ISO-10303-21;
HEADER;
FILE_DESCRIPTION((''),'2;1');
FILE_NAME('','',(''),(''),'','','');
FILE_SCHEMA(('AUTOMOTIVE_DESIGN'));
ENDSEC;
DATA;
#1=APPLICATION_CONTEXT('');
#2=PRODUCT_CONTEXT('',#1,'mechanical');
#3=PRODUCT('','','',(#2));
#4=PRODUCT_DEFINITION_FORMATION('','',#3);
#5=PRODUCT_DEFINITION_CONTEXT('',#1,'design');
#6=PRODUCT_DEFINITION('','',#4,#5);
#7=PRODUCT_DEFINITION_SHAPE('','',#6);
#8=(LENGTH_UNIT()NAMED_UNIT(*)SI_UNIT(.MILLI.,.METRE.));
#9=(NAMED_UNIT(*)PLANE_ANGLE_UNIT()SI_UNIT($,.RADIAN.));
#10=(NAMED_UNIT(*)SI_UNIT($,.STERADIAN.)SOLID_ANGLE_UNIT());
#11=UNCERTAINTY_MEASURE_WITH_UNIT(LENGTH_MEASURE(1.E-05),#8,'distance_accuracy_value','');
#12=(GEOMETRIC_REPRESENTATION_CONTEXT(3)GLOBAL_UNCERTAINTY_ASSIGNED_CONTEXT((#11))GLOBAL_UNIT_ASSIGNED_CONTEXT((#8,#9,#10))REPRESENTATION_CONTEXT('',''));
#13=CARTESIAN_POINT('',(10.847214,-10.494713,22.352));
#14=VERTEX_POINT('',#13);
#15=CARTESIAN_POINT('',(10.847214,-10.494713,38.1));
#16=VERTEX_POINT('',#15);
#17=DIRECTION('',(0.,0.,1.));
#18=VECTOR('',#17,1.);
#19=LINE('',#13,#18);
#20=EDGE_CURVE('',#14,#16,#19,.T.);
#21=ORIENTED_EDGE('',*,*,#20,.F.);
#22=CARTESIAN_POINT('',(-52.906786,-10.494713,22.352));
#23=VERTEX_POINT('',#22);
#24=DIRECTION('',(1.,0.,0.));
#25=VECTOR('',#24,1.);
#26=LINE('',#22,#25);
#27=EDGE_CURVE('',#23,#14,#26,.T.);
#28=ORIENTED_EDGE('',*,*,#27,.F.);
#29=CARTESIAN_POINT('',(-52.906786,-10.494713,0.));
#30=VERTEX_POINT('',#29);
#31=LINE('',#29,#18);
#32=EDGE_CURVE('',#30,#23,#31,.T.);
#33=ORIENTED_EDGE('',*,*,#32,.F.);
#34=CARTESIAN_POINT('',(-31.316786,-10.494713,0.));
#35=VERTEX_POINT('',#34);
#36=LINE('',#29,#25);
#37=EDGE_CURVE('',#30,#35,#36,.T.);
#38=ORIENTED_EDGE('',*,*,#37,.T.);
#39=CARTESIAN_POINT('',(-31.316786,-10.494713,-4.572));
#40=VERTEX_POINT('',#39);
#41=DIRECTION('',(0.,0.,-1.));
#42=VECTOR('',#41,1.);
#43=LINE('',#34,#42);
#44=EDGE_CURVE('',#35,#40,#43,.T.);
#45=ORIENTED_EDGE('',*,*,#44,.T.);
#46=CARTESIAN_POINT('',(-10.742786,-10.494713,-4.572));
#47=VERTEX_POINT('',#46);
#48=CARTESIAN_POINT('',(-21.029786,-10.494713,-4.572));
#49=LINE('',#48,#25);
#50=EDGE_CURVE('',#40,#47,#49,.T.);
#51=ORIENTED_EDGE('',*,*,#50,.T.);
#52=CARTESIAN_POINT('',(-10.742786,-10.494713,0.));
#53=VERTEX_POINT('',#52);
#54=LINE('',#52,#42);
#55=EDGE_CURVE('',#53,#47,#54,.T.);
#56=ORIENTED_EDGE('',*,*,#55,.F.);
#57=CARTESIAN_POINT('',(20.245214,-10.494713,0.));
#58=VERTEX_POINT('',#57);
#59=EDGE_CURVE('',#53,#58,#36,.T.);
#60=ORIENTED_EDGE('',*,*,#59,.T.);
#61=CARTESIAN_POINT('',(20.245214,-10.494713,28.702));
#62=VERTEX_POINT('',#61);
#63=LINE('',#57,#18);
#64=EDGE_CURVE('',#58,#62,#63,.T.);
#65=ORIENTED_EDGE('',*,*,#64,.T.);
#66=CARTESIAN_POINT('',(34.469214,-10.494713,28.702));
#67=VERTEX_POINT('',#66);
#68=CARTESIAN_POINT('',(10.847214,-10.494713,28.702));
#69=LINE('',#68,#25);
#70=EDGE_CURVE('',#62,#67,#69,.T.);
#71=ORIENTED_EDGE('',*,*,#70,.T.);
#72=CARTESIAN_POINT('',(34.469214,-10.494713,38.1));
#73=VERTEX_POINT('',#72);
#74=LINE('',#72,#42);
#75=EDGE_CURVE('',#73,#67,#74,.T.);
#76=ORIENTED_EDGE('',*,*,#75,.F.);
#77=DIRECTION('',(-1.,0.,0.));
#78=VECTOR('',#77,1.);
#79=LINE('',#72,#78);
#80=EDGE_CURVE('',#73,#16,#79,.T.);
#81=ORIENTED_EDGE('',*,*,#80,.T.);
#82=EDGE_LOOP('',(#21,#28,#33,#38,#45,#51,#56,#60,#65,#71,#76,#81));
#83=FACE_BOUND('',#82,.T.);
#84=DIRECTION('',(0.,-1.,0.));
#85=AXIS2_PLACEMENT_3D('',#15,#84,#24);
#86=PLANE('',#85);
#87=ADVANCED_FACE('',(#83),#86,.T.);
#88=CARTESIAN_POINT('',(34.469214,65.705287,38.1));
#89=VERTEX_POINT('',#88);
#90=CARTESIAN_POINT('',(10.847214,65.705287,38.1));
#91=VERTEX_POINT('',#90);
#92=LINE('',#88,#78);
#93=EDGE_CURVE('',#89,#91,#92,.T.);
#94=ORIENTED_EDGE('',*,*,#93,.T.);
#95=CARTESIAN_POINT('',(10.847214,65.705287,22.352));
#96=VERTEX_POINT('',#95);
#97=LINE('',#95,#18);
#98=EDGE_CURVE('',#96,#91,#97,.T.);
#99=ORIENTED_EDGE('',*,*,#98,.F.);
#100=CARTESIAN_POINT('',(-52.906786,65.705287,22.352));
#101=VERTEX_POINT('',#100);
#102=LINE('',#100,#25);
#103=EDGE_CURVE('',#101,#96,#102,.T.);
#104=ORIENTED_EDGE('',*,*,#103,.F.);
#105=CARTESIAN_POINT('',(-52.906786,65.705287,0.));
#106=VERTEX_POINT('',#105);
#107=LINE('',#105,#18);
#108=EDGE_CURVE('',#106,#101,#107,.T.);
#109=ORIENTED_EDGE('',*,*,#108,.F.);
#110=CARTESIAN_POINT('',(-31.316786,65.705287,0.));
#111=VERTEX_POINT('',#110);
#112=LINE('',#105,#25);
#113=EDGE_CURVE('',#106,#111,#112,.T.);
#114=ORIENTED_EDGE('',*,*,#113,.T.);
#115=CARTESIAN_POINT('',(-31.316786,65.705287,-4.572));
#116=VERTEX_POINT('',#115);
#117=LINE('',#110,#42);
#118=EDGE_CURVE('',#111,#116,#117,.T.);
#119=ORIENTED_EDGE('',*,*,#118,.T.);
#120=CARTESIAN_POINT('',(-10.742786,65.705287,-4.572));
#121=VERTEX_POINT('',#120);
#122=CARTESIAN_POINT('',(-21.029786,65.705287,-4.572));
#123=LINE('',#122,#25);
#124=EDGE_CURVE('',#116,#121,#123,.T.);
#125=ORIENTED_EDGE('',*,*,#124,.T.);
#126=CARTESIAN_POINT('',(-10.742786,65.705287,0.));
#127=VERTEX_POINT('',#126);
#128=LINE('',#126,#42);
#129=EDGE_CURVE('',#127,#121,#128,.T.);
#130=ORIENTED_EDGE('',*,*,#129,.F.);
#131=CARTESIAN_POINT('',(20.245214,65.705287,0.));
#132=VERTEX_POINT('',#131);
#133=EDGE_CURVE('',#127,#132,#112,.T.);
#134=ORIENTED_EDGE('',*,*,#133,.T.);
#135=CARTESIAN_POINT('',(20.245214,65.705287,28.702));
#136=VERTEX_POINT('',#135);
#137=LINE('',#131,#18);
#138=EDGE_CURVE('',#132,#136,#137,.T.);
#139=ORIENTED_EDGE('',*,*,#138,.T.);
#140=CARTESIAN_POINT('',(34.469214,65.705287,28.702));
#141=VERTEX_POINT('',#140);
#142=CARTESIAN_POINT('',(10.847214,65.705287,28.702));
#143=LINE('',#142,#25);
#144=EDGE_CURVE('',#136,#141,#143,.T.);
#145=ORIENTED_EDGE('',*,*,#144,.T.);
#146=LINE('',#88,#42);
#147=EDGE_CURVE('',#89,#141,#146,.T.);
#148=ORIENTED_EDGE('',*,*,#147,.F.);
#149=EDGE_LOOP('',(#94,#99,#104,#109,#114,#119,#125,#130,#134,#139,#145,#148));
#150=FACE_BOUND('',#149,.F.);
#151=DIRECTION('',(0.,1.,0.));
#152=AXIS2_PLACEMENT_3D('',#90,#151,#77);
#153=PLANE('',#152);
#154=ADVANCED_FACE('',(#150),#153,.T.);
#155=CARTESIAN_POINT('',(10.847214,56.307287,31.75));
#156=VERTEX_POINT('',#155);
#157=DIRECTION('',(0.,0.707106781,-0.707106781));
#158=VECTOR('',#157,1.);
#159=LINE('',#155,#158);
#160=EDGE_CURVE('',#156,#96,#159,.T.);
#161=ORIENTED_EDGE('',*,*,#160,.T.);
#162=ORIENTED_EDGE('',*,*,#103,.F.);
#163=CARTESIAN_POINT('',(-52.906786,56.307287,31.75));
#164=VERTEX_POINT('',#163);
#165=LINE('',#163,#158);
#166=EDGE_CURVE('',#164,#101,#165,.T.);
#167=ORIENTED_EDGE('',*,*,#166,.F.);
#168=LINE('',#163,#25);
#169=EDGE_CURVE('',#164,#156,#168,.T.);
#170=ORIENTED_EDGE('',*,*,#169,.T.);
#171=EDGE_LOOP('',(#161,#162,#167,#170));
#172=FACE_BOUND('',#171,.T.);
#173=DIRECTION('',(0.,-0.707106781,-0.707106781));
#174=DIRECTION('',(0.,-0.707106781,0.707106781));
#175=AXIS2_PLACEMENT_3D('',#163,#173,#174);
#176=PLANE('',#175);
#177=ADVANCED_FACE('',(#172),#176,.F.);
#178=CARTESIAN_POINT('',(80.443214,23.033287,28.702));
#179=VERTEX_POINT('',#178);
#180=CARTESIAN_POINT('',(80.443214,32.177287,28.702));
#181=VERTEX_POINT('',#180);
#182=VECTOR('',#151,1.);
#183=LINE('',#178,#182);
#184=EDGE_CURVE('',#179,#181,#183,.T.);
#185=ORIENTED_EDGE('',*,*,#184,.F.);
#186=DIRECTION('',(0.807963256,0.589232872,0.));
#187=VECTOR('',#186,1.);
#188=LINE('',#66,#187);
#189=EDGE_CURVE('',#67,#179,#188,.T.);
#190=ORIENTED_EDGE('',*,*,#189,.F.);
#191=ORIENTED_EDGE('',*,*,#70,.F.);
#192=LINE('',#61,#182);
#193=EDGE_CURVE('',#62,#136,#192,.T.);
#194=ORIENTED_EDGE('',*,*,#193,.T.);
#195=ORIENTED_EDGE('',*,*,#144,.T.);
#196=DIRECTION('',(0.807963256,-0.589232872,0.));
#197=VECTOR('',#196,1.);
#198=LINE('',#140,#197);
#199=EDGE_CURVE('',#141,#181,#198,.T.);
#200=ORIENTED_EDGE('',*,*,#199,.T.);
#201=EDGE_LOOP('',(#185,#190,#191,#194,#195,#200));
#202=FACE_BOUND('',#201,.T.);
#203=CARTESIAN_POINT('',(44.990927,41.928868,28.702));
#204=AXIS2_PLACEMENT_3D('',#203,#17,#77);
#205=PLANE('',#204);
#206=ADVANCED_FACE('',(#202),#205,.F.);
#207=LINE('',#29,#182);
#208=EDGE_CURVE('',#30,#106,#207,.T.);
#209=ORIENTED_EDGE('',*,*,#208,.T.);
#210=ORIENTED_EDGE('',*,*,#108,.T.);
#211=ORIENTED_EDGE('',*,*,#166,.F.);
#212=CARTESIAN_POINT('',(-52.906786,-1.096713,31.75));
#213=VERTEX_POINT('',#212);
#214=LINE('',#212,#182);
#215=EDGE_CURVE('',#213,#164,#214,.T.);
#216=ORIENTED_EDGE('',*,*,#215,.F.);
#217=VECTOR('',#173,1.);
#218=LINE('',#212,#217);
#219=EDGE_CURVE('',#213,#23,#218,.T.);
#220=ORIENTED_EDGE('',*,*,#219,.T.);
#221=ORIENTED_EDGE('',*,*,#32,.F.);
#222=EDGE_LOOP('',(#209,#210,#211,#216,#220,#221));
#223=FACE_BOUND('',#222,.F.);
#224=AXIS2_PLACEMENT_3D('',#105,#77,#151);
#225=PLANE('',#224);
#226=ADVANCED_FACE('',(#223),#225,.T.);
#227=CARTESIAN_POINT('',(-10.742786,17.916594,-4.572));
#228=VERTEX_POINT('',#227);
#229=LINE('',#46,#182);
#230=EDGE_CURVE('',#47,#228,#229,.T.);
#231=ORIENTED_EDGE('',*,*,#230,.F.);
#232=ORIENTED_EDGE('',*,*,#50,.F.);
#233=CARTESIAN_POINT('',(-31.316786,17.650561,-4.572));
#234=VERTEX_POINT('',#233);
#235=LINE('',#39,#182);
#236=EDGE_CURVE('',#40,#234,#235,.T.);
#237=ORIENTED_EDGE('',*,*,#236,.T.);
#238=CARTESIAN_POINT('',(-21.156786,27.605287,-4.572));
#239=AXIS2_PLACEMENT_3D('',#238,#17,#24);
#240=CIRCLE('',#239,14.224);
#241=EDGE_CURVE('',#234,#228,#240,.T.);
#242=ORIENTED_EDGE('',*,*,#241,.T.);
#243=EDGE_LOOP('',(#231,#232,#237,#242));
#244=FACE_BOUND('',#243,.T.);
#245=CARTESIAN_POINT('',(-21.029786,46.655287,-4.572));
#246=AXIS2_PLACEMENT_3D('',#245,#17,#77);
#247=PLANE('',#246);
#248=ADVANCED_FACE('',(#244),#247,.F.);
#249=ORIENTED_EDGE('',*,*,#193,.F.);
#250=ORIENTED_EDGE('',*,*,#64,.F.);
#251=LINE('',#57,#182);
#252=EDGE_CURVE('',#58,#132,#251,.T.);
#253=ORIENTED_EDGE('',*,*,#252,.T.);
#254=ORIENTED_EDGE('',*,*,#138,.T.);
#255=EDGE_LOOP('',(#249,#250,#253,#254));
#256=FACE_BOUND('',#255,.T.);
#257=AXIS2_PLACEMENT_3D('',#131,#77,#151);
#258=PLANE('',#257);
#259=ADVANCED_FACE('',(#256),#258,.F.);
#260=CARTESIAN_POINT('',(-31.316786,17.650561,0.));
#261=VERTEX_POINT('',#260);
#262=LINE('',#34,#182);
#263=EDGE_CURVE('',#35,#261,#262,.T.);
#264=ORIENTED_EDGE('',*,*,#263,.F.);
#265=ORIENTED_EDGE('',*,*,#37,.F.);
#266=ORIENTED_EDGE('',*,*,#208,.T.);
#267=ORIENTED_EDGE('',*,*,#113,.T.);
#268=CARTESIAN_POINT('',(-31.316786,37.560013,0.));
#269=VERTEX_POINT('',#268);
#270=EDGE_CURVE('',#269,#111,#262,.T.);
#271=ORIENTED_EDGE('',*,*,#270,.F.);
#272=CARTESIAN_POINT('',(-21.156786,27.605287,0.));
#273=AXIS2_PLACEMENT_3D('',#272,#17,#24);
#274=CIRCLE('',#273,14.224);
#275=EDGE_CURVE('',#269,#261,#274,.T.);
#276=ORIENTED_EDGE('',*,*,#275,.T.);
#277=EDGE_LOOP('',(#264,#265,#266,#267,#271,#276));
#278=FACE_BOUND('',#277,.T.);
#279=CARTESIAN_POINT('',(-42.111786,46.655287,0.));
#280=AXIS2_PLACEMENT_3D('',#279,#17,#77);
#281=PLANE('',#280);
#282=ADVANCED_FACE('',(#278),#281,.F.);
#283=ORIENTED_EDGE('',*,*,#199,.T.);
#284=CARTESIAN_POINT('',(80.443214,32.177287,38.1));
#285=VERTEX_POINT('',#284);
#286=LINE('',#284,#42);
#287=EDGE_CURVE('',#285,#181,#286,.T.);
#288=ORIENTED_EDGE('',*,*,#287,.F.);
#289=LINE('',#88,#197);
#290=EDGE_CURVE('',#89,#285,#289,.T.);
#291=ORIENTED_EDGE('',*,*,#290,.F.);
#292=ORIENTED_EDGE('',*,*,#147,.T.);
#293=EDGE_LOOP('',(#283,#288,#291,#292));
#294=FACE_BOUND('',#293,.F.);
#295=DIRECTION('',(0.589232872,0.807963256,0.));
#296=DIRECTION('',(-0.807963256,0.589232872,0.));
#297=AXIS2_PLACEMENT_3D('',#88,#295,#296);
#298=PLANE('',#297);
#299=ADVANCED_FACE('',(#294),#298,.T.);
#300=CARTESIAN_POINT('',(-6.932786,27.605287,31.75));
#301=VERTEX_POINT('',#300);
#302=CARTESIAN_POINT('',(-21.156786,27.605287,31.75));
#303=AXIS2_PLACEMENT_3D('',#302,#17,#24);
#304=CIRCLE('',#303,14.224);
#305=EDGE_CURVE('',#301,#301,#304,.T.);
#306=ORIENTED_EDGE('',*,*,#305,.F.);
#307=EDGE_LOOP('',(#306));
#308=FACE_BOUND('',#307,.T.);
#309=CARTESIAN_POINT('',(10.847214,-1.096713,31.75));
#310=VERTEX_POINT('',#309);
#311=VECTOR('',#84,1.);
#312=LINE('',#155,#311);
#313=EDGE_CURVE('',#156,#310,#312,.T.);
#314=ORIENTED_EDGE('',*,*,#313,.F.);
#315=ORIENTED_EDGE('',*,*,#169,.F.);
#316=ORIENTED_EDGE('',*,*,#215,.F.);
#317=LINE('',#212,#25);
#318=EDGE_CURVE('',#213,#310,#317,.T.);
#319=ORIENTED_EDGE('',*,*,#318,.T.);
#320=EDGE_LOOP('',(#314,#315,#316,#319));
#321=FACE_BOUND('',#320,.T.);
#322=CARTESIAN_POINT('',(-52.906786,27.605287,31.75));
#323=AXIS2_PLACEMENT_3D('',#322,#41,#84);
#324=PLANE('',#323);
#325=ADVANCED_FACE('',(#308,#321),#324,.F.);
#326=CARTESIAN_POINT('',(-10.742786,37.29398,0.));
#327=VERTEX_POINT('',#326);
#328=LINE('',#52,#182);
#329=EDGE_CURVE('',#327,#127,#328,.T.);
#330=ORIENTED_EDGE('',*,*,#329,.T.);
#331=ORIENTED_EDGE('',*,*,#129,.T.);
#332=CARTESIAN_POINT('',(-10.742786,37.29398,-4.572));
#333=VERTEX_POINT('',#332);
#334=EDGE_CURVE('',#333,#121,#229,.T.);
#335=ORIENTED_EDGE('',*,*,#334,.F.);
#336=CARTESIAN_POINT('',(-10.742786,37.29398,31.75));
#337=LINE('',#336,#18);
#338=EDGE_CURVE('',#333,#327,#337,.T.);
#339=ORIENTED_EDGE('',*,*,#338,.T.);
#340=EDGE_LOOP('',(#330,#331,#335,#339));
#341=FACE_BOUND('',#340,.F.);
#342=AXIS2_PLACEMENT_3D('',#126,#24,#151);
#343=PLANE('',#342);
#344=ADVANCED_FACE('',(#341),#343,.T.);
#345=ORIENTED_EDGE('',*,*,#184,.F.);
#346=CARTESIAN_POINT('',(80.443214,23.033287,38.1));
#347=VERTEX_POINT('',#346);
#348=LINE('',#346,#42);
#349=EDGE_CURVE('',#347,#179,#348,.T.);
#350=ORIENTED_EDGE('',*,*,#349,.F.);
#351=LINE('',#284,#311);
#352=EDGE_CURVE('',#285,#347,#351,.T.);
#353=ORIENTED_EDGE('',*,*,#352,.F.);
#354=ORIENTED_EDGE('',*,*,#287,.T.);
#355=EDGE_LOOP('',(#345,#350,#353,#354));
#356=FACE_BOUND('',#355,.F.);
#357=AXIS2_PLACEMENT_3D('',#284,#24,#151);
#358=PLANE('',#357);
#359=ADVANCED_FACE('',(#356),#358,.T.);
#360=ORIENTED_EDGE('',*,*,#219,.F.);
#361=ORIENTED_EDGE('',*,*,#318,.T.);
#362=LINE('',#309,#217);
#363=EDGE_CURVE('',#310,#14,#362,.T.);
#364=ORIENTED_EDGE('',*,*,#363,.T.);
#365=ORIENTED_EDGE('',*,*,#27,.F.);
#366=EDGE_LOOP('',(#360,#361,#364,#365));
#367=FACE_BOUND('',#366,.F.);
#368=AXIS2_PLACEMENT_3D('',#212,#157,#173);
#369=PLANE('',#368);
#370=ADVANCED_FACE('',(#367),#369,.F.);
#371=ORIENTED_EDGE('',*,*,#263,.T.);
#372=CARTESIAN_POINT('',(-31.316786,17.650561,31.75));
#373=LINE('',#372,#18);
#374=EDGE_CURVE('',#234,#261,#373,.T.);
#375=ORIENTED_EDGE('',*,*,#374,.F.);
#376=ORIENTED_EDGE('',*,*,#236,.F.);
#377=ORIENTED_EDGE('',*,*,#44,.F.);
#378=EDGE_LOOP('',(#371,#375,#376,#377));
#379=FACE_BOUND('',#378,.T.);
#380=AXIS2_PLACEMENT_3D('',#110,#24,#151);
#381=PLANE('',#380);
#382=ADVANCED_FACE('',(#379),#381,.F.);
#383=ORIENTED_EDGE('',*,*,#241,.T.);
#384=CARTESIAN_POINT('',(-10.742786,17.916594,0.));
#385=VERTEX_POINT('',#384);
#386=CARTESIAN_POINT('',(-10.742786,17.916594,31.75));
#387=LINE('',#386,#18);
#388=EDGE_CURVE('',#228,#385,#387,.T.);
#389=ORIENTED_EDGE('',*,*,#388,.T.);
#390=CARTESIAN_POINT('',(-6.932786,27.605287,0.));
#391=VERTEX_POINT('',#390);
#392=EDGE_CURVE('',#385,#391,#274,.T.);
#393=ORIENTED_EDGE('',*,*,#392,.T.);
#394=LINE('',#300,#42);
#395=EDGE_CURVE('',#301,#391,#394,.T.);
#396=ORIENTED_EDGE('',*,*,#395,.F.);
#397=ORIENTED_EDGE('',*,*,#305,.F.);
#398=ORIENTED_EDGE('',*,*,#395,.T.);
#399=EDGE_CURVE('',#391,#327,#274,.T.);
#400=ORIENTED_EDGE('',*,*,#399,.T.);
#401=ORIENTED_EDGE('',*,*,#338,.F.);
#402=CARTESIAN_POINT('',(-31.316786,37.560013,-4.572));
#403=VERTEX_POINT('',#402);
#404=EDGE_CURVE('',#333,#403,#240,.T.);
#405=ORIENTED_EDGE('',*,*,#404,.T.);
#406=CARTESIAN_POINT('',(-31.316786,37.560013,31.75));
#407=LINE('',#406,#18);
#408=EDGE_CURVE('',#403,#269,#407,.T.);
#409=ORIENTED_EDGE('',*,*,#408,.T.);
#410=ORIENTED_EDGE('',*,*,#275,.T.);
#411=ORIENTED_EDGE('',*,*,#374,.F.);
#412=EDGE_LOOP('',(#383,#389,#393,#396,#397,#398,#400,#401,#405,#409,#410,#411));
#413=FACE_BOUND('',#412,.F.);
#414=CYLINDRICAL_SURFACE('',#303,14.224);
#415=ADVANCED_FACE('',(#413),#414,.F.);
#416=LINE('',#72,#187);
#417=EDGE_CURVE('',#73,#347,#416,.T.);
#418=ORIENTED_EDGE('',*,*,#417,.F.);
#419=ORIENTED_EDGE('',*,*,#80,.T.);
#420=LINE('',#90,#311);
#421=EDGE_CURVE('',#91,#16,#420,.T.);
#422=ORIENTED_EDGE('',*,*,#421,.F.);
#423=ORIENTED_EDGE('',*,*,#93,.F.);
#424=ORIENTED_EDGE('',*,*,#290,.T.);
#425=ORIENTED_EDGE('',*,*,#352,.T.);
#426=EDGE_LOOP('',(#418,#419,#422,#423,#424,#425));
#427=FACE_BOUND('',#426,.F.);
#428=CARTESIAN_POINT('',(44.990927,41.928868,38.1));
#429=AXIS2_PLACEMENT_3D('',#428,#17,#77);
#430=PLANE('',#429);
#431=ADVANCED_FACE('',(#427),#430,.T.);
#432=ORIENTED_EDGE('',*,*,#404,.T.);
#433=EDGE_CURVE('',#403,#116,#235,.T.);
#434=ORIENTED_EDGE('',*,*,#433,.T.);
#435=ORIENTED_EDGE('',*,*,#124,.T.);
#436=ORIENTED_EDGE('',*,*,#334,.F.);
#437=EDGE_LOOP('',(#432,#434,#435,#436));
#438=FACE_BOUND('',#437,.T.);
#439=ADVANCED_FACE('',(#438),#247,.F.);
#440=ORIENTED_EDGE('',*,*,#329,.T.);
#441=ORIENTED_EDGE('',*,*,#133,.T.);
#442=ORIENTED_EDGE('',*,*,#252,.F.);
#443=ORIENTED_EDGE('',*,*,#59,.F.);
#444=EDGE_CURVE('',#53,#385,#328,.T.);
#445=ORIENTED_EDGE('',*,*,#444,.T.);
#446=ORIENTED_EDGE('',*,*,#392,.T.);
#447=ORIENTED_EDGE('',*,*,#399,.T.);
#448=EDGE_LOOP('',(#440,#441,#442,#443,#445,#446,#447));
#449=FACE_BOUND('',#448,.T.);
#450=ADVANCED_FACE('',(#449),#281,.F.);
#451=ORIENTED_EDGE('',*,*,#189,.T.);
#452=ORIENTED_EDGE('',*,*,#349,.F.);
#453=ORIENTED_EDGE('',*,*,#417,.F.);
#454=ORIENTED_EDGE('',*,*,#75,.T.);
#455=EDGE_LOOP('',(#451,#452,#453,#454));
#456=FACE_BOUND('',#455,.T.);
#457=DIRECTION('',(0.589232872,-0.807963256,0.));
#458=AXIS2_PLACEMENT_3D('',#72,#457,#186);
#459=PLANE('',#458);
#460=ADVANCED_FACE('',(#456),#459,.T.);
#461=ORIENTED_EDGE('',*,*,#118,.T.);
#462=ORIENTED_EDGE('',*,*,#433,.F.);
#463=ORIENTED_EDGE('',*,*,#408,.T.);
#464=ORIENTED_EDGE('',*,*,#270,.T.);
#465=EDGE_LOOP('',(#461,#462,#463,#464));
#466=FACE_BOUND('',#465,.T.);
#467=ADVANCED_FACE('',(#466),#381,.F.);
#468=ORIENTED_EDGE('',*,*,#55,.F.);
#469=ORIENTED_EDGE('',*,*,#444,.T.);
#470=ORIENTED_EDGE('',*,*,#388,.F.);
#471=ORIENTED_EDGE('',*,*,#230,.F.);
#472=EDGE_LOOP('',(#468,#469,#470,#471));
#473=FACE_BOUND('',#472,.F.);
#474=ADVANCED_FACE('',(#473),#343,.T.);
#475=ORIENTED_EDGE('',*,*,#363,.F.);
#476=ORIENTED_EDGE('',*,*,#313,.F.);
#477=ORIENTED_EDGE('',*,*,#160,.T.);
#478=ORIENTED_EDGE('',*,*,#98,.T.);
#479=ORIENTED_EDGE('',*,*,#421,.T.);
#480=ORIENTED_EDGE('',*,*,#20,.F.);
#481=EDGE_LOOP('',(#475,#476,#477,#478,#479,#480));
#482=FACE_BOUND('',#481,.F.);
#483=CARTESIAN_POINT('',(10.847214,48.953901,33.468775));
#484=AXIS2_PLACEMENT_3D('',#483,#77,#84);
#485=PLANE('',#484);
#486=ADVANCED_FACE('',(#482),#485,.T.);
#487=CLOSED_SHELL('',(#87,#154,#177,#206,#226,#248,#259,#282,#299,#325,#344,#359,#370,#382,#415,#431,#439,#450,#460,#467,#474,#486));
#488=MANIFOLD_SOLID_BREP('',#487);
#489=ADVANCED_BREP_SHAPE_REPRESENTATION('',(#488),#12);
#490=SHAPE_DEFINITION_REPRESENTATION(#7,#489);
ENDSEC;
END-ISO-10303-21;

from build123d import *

# Parameters (mm, degrees)
F0_W     = 20.574
F0_H     = 38.1
F1_DEPTH = 4.572
F0_W_2   = 21.59
F0_W_3   = 30.988
F2_DEPTH = 38.1
F4_W     = 9.398
F4_H     = 38.1
F5_DEPTH = 9.398
F6_DEPTH = 63.754
F8_R     = 14.224
F9_DEPTH = 36.322


with BuildPart() as f1:
    # F0 (on Top) → F1 (new body)
    with BuildSketch(Plane.XY):
        with Locations((-21.029786, 8.555287)):
            Rectangle(F0_W, F0_H)
    extrude(amount=-F1_DEPTH)

    # F0 (on Top) → F2 (join)
    with BuildSketch(Plane.XY):
        with Locations((-42.111786, 8.555287)):
            Rectangle(F0_W_2, F0_H)
        with Locations((4.751214, 8.555287)):
            Rectangle(F0_W_3, F0_H)
        with Locations((-21.029786, 8.555287)):
            Rectangle(F0_W, F0_H)
    extrude(amount=F2_DEPTH)

    # F4 (on face) → F5 (join)
    with BuildSketch(Plane.XY.offset(38.1)):
        Polygon((20.245214, 27.605287), (20.245214, -10.494713), (34.469214, -10.494713), (80.443214, 23.033287), (80.443214, 27.605287), align=None)
        with Locations((15.546214, 8.555287)):
            Rectangle(F4_W, F4_H)
    extrude(amount=-F5_DEPTH)

    # F3 (on face) → F6 (cut)
    with BuildSketch(Plane(origin=(-52.906786, 0, 0), x_dir=(0, -1, 0), z_dir=(-1, 0, 0))):
        Polygon((-27.605287, 38.1), (-27.605287, 31.75), (1.096713, 31.75), (10.494713, 22.352), (10.494713, 38.1), align=None)
    extrude(amount=-F6_DEPTH, mode=Mode.SUBTRACT)

    # F7: F1 across face


with BuildPart() as f1_1:
    add(f1.part)
    add(f1.part.mirror(Plane(origin=(-3.450989, 27.605287, 18.946514), x_dir=(-1, 0, 0), z_dir=(0, 1, 0))))

    # F8 (on face) → F9 (cut, through all)
    with BuildSketch(Plane.XY.offset(31.75)):
        with Locations((-21.156786, 27.605287)):
            Circle(F8_R)
    extrude(amount=-F9_DEPTH, mode=Mode.SUBTRACT)


solid = f1_1.part
